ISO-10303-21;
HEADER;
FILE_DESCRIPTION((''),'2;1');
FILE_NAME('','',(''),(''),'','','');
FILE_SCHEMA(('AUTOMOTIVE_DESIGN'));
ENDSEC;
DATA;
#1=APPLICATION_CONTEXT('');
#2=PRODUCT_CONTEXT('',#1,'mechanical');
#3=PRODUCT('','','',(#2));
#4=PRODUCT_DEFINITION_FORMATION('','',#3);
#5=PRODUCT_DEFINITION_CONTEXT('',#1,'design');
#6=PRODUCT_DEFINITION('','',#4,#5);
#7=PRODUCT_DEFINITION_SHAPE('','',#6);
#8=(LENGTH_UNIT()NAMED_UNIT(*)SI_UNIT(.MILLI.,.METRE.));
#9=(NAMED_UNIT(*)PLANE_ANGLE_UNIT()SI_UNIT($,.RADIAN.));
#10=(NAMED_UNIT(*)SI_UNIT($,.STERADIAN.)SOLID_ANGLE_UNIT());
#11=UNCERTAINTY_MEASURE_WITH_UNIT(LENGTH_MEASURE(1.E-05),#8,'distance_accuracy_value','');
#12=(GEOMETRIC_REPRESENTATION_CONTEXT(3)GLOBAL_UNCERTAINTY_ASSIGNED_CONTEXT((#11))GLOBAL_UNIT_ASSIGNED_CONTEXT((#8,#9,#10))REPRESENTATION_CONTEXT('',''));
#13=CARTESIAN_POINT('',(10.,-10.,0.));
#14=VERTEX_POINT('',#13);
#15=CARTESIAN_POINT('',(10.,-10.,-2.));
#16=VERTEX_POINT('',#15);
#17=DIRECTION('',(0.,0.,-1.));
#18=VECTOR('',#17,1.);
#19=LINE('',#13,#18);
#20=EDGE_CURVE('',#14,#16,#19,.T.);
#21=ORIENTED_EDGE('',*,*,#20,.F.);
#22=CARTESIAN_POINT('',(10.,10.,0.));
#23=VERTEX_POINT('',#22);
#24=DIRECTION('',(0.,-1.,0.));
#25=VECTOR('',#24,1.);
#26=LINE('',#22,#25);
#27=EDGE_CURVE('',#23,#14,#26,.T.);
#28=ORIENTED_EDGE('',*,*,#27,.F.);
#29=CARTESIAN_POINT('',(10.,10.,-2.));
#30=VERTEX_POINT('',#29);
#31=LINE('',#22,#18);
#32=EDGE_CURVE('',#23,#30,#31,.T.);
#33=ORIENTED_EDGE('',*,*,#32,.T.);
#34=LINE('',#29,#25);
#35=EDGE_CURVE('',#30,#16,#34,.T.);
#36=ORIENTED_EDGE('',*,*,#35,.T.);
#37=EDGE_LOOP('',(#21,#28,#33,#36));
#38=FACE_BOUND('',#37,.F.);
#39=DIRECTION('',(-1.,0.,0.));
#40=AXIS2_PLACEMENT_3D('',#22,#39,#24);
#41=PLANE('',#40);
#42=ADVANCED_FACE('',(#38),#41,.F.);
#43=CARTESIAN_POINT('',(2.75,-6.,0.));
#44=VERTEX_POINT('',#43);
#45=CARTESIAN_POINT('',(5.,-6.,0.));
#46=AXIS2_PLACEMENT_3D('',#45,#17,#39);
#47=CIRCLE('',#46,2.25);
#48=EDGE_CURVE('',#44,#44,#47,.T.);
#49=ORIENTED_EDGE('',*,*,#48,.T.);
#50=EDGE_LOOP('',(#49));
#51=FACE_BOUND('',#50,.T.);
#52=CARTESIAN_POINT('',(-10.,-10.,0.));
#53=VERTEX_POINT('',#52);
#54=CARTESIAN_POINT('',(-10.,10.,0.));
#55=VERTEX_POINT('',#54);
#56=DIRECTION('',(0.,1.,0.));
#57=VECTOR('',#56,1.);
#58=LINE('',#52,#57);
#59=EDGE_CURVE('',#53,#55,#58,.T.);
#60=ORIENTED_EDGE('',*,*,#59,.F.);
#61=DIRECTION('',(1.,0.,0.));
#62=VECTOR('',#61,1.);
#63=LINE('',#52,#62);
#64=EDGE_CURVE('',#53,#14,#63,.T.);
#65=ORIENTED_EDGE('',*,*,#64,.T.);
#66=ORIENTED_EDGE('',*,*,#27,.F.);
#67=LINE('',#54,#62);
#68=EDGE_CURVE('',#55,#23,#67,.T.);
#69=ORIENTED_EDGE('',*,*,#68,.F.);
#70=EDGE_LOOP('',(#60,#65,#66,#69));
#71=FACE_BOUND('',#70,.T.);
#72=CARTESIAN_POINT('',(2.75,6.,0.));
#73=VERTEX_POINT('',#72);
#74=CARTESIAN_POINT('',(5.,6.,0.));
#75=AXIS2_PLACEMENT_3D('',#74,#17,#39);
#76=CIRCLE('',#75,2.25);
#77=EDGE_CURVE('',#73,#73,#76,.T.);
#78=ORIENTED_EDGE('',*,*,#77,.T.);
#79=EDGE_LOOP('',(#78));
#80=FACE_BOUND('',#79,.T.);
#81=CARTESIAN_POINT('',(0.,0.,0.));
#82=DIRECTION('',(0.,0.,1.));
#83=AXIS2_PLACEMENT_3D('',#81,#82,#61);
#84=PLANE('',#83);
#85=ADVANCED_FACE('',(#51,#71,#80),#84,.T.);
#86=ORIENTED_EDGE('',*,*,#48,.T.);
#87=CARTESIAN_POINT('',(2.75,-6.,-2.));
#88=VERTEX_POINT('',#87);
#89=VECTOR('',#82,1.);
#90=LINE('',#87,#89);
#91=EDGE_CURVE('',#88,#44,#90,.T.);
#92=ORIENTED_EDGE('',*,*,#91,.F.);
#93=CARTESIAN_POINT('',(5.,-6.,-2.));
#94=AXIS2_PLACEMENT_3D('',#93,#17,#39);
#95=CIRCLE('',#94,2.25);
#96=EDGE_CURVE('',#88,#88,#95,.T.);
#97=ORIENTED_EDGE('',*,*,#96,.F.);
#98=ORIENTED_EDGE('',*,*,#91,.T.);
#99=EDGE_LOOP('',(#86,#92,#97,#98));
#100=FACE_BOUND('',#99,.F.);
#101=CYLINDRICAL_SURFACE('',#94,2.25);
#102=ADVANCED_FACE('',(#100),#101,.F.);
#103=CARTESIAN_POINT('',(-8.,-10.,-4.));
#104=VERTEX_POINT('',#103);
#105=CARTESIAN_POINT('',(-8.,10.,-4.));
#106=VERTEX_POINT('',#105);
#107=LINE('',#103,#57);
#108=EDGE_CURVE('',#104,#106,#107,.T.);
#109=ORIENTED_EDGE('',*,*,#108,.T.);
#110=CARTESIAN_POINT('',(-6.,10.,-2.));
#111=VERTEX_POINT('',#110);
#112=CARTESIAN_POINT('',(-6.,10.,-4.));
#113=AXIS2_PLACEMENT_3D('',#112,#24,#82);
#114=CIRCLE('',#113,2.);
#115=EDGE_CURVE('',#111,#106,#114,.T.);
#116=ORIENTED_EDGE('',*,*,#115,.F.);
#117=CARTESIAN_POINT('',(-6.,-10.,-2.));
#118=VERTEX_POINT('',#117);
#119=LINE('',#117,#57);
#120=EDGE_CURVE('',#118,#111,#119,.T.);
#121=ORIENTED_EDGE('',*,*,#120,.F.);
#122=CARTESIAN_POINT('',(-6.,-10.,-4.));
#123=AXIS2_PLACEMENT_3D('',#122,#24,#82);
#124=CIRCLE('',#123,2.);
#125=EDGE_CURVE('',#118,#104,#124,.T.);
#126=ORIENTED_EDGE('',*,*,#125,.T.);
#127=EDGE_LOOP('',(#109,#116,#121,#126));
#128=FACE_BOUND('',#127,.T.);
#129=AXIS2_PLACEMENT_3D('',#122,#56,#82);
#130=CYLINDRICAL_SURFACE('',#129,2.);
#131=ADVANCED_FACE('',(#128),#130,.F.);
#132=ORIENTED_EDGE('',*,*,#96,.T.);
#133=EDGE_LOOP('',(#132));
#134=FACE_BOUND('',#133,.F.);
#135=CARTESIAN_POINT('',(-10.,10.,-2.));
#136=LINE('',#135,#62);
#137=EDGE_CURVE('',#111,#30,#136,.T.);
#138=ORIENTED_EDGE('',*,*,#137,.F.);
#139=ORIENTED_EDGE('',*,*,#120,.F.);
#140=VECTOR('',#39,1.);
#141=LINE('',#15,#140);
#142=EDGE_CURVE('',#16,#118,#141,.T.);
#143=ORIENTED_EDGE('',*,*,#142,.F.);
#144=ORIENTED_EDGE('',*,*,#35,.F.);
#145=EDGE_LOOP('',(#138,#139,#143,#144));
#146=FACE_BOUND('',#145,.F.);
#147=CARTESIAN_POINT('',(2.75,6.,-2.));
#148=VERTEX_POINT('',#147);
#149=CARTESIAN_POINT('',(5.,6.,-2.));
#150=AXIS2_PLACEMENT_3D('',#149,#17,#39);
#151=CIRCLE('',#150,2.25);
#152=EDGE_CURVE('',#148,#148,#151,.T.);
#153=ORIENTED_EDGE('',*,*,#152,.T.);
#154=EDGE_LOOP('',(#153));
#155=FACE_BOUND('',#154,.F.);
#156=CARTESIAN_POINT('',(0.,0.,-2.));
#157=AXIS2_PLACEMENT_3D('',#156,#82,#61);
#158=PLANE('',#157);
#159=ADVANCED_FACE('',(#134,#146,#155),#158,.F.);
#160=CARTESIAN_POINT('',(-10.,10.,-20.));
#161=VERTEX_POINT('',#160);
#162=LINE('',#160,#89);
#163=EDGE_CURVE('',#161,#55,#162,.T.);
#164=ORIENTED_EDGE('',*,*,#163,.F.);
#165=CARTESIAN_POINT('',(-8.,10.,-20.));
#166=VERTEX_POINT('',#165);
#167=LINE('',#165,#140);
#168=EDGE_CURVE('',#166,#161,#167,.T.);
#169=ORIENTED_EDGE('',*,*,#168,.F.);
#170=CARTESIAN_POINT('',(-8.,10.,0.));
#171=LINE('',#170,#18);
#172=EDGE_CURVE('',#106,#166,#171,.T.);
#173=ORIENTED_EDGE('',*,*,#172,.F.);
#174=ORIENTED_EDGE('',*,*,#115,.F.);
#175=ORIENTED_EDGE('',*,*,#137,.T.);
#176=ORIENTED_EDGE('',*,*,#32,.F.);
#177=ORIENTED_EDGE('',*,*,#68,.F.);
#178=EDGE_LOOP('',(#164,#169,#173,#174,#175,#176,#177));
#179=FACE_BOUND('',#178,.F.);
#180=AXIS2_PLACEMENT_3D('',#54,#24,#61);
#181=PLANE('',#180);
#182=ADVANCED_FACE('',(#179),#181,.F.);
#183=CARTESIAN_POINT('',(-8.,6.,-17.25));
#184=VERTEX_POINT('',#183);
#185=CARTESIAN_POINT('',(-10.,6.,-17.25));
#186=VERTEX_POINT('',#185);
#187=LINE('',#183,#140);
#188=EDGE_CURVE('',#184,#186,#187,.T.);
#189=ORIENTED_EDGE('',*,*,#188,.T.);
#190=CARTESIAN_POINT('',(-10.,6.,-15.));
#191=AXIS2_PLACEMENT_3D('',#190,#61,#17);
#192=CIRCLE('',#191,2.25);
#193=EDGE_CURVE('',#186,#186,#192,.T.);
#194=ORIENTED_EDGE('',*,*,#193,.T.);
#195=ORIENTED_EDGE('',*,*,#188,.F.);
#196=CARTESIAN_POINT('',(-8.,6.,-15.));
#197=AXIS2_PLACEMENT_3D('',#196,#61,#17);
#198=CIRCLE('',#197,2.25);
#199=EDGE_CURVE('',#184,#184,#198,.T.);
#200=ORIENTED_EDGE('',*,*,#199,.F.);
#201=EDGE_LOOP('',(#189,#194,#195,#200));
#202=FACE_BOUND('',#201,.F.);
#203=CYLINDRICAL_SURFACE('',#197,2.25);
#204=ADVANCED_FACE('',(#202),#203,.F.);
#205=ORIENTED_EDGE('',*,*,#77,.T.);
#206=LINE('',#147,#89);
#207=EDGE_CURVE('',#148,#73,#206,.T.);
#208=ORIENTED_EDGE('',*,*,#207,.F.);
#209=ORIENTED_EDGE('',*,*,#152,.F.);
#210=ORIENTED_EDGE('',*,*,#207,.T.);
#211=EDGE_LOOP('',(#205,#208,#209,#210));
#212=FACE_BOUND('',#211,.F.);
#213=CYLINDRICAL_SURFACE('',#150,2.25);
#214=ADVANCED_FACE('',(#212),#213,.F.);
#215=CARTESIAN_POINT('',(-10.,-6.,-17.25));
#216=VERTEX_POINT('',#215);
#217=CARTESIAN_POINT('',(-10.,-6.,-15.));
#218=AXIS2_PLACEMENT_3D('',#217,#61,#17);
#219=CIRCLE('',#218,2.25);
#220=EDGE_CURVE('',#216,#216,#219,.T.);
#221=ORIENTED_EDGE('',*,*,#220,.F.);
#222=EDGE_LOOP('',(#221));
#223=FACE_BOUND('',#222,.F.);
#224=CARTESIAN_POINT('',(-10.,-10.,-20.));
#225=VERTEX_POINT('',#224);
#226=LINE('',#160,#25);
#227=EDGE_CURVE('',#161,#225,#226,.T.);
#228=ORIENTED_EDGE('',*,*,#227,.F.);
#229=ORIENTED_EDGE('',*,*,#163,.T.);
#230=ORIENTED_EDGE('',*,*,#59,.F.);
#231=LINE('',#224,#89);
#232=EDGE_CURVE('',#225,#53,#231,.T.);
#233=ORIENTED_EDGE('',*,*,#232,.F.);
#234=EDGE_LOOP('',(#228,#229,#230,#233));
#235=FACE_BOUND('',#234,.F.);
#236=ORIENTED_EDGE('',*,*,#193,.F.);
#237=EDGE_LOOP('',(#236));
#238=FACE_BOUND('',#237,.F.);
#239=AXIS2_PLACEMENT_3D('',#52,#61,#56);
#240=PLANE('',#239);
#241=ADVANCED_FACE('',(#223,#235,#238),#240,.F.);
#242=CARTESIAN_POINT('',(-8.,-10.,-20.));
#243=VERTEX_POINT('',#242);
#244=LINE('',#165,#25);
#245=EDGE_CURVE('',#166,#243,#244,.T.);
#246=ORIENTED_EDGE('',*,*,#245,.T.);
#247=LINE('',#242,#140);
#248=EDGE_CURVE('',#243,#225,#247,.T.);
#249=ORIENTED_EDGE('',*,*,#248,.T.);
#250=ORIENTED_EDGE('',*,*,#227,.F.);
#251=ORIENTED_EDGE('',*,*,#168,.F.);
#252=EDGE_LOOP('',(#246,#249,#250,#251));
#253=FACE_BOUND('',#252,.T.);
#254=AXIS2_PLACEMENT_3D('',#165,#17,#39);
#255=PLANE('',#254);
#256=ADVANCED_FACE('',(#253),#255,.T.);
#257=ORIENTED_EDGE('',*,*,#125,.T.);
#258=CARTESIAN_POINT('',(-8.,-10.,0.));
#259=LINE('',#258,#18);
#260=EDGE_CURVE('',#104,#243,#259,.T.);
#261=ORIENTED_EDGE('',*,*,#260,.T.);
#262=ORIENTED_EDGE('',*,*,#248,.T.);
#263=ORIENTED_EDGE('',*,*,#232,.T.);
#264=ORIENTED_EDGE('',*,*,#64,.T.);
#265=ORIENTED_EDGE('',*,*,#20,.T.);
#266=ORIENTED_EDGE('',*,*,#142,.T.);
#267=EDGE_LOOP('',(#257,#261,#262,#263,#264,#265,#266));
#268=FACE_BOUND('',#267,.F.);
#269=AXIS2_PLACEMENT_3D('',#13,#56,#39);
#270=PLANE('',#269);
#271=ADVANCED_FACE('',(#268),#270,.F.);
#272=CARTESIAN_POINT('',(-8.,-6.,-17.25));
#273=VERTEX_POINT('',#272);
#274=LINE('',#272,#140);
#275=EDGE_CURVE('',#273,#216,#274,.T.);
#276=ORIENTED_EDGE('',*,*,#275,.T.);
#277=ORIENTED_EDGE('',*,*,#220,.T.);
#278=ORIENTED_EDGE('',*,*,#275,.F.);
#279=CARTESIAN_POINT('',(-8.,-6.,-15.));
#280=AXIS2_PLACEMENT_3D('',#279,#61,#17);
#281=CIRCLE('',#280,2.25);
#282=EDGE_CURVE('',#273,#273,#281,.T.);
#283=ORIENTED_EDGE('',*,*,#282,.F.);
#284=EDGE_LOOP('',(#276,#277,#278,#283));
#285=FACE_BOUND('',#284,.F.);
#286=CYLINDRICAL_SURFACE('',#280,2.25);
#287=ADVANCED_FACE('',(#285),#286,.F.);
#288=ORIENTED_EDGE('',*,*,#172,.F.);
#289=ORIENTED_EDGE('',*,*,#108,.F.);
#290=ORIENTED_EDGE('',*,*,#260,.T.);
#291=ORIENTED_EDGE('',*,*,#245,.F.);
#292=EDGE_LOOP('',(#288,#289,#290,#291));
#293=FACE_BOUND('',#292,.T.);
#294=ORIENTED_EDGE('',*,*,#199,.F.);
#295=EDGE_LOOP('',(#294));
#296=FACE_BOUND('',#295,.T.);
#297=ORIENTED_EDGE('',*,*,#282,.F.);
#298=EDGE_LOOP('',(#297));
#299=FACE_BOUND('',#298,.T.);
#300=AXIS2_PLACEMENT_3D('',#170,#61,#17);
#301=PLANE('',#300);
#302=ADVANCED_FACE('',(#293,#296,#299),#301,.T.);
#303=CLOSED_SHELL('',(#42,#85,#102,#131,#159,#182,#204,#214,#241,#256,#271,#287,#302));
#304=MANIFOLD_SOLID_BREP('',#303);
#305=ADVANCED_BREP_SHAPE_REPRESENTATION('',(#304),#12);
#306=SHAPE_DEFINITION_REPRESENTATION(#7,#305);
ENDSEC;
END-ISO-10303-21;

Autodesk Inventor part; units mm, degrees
ref_plane "YZ Plane" through (0, 0, 0) normal (1, 0, 0) x (0, 1, 0)
ref_plane "XZ Plane" through (0, 0, 0) normal (0, 1, 0) x (-1, 0, 0)
ref_plane "XY Plane" through (0, 0, 0) normal (0, 0, 1) x (1, 0, 0)
sketch "Sketch1" plane through (0, 0, 0) normal (0, 0, 1) x (1, 0, 0)
  line L0 (-10, 10) -> (10, 10)
  line L1 (10, 10) -> (10, -10)
  line L2 (10, -10) -> (-10, -10)
  line L3 (-10, -10) -> (-10, 10)
  line L4 (-10, 10) -> (10, -10) construction
  line L5 (10, 10) -> (-10, -10) construction
  point P0 (0, 0)
  dimension "d0" = 20
  dimension "d1" = 20
extrude "Extrusion1" add sketch "Sketch1" against normal blind 2
sketch "Sketch2" plane through (-10, 10, 0) normal (0, 1, 0) x (1, 0, 0)
  line L0 (20, 0) -> (0, 0) projected
  line L1 (0, 0) -> (2, 0)
  line L2 (2, 0) -> (2, 20)
  line L3 (2, 20) -> (0, 20)
  line L4 (0, 20) -> (0, 0)
  point P0 (10, 0)
  point P1 (2, 0)
  dimension "d4" = 2
  dimension "d5" = 20
extrude "Extrusion2" add sketch "Sketch2" against normal blind 20
fillet "Fillet1" radius 2 1 edges at (-8, 0, -2)
sketch "Sketch4" plane through (0, 0, -2) normal (0, 0, -1) x (-1, 0, 0)
  circle A0 centre (-5, -6) radius 2.25
  circle A1 centre (-5, 6) radius 2.25
  line L0 (-10, -10) -> (6, -10) projected
  line L1 (6, 10) -> (-10, 10) projected
  line L2 (-10, 10) -> (-10, -10) projected
  point P0 (0, 0)
  point P1 (10, -10)
  dimension "d10" = 4.5
  dimension "d11" = 4.5
  dimension "d12" = 4
  dimension "d13" = 4
  dimension "d15" = 5
  dimension "d16" = 5
  dimension "d33" = 12
extrude "Extrusion3" cut sketch "Sketch4" against normal blind 2
sketch "Sketch5" plane through (-8, -10, -20) normal (1, 0, 0) x (0, 0, -1)
  circle A0 centre (-5, 4) radius 2.25
  circle A1 centre (-5, 16) radius 2.25
  line L0 (0, 0) -> (-16, 0) projected
  line L1 (-16, 20) -> (0, 20) projected
  line L2 (0, 20) -> (0, 0) projected
  point P0 (-20, 10)
  dimension "d19" = 4.5
  dimension "d20" = 4.5
  dimension "d21" = 4
  dimension "d23" = 5
  dimension "d24" = 5
  dimension "d38" = 4
extrude "Extrusion4" cut sketch "Sketch5" against normal blind 2
properties part number "CONTROL_MONTEER"
